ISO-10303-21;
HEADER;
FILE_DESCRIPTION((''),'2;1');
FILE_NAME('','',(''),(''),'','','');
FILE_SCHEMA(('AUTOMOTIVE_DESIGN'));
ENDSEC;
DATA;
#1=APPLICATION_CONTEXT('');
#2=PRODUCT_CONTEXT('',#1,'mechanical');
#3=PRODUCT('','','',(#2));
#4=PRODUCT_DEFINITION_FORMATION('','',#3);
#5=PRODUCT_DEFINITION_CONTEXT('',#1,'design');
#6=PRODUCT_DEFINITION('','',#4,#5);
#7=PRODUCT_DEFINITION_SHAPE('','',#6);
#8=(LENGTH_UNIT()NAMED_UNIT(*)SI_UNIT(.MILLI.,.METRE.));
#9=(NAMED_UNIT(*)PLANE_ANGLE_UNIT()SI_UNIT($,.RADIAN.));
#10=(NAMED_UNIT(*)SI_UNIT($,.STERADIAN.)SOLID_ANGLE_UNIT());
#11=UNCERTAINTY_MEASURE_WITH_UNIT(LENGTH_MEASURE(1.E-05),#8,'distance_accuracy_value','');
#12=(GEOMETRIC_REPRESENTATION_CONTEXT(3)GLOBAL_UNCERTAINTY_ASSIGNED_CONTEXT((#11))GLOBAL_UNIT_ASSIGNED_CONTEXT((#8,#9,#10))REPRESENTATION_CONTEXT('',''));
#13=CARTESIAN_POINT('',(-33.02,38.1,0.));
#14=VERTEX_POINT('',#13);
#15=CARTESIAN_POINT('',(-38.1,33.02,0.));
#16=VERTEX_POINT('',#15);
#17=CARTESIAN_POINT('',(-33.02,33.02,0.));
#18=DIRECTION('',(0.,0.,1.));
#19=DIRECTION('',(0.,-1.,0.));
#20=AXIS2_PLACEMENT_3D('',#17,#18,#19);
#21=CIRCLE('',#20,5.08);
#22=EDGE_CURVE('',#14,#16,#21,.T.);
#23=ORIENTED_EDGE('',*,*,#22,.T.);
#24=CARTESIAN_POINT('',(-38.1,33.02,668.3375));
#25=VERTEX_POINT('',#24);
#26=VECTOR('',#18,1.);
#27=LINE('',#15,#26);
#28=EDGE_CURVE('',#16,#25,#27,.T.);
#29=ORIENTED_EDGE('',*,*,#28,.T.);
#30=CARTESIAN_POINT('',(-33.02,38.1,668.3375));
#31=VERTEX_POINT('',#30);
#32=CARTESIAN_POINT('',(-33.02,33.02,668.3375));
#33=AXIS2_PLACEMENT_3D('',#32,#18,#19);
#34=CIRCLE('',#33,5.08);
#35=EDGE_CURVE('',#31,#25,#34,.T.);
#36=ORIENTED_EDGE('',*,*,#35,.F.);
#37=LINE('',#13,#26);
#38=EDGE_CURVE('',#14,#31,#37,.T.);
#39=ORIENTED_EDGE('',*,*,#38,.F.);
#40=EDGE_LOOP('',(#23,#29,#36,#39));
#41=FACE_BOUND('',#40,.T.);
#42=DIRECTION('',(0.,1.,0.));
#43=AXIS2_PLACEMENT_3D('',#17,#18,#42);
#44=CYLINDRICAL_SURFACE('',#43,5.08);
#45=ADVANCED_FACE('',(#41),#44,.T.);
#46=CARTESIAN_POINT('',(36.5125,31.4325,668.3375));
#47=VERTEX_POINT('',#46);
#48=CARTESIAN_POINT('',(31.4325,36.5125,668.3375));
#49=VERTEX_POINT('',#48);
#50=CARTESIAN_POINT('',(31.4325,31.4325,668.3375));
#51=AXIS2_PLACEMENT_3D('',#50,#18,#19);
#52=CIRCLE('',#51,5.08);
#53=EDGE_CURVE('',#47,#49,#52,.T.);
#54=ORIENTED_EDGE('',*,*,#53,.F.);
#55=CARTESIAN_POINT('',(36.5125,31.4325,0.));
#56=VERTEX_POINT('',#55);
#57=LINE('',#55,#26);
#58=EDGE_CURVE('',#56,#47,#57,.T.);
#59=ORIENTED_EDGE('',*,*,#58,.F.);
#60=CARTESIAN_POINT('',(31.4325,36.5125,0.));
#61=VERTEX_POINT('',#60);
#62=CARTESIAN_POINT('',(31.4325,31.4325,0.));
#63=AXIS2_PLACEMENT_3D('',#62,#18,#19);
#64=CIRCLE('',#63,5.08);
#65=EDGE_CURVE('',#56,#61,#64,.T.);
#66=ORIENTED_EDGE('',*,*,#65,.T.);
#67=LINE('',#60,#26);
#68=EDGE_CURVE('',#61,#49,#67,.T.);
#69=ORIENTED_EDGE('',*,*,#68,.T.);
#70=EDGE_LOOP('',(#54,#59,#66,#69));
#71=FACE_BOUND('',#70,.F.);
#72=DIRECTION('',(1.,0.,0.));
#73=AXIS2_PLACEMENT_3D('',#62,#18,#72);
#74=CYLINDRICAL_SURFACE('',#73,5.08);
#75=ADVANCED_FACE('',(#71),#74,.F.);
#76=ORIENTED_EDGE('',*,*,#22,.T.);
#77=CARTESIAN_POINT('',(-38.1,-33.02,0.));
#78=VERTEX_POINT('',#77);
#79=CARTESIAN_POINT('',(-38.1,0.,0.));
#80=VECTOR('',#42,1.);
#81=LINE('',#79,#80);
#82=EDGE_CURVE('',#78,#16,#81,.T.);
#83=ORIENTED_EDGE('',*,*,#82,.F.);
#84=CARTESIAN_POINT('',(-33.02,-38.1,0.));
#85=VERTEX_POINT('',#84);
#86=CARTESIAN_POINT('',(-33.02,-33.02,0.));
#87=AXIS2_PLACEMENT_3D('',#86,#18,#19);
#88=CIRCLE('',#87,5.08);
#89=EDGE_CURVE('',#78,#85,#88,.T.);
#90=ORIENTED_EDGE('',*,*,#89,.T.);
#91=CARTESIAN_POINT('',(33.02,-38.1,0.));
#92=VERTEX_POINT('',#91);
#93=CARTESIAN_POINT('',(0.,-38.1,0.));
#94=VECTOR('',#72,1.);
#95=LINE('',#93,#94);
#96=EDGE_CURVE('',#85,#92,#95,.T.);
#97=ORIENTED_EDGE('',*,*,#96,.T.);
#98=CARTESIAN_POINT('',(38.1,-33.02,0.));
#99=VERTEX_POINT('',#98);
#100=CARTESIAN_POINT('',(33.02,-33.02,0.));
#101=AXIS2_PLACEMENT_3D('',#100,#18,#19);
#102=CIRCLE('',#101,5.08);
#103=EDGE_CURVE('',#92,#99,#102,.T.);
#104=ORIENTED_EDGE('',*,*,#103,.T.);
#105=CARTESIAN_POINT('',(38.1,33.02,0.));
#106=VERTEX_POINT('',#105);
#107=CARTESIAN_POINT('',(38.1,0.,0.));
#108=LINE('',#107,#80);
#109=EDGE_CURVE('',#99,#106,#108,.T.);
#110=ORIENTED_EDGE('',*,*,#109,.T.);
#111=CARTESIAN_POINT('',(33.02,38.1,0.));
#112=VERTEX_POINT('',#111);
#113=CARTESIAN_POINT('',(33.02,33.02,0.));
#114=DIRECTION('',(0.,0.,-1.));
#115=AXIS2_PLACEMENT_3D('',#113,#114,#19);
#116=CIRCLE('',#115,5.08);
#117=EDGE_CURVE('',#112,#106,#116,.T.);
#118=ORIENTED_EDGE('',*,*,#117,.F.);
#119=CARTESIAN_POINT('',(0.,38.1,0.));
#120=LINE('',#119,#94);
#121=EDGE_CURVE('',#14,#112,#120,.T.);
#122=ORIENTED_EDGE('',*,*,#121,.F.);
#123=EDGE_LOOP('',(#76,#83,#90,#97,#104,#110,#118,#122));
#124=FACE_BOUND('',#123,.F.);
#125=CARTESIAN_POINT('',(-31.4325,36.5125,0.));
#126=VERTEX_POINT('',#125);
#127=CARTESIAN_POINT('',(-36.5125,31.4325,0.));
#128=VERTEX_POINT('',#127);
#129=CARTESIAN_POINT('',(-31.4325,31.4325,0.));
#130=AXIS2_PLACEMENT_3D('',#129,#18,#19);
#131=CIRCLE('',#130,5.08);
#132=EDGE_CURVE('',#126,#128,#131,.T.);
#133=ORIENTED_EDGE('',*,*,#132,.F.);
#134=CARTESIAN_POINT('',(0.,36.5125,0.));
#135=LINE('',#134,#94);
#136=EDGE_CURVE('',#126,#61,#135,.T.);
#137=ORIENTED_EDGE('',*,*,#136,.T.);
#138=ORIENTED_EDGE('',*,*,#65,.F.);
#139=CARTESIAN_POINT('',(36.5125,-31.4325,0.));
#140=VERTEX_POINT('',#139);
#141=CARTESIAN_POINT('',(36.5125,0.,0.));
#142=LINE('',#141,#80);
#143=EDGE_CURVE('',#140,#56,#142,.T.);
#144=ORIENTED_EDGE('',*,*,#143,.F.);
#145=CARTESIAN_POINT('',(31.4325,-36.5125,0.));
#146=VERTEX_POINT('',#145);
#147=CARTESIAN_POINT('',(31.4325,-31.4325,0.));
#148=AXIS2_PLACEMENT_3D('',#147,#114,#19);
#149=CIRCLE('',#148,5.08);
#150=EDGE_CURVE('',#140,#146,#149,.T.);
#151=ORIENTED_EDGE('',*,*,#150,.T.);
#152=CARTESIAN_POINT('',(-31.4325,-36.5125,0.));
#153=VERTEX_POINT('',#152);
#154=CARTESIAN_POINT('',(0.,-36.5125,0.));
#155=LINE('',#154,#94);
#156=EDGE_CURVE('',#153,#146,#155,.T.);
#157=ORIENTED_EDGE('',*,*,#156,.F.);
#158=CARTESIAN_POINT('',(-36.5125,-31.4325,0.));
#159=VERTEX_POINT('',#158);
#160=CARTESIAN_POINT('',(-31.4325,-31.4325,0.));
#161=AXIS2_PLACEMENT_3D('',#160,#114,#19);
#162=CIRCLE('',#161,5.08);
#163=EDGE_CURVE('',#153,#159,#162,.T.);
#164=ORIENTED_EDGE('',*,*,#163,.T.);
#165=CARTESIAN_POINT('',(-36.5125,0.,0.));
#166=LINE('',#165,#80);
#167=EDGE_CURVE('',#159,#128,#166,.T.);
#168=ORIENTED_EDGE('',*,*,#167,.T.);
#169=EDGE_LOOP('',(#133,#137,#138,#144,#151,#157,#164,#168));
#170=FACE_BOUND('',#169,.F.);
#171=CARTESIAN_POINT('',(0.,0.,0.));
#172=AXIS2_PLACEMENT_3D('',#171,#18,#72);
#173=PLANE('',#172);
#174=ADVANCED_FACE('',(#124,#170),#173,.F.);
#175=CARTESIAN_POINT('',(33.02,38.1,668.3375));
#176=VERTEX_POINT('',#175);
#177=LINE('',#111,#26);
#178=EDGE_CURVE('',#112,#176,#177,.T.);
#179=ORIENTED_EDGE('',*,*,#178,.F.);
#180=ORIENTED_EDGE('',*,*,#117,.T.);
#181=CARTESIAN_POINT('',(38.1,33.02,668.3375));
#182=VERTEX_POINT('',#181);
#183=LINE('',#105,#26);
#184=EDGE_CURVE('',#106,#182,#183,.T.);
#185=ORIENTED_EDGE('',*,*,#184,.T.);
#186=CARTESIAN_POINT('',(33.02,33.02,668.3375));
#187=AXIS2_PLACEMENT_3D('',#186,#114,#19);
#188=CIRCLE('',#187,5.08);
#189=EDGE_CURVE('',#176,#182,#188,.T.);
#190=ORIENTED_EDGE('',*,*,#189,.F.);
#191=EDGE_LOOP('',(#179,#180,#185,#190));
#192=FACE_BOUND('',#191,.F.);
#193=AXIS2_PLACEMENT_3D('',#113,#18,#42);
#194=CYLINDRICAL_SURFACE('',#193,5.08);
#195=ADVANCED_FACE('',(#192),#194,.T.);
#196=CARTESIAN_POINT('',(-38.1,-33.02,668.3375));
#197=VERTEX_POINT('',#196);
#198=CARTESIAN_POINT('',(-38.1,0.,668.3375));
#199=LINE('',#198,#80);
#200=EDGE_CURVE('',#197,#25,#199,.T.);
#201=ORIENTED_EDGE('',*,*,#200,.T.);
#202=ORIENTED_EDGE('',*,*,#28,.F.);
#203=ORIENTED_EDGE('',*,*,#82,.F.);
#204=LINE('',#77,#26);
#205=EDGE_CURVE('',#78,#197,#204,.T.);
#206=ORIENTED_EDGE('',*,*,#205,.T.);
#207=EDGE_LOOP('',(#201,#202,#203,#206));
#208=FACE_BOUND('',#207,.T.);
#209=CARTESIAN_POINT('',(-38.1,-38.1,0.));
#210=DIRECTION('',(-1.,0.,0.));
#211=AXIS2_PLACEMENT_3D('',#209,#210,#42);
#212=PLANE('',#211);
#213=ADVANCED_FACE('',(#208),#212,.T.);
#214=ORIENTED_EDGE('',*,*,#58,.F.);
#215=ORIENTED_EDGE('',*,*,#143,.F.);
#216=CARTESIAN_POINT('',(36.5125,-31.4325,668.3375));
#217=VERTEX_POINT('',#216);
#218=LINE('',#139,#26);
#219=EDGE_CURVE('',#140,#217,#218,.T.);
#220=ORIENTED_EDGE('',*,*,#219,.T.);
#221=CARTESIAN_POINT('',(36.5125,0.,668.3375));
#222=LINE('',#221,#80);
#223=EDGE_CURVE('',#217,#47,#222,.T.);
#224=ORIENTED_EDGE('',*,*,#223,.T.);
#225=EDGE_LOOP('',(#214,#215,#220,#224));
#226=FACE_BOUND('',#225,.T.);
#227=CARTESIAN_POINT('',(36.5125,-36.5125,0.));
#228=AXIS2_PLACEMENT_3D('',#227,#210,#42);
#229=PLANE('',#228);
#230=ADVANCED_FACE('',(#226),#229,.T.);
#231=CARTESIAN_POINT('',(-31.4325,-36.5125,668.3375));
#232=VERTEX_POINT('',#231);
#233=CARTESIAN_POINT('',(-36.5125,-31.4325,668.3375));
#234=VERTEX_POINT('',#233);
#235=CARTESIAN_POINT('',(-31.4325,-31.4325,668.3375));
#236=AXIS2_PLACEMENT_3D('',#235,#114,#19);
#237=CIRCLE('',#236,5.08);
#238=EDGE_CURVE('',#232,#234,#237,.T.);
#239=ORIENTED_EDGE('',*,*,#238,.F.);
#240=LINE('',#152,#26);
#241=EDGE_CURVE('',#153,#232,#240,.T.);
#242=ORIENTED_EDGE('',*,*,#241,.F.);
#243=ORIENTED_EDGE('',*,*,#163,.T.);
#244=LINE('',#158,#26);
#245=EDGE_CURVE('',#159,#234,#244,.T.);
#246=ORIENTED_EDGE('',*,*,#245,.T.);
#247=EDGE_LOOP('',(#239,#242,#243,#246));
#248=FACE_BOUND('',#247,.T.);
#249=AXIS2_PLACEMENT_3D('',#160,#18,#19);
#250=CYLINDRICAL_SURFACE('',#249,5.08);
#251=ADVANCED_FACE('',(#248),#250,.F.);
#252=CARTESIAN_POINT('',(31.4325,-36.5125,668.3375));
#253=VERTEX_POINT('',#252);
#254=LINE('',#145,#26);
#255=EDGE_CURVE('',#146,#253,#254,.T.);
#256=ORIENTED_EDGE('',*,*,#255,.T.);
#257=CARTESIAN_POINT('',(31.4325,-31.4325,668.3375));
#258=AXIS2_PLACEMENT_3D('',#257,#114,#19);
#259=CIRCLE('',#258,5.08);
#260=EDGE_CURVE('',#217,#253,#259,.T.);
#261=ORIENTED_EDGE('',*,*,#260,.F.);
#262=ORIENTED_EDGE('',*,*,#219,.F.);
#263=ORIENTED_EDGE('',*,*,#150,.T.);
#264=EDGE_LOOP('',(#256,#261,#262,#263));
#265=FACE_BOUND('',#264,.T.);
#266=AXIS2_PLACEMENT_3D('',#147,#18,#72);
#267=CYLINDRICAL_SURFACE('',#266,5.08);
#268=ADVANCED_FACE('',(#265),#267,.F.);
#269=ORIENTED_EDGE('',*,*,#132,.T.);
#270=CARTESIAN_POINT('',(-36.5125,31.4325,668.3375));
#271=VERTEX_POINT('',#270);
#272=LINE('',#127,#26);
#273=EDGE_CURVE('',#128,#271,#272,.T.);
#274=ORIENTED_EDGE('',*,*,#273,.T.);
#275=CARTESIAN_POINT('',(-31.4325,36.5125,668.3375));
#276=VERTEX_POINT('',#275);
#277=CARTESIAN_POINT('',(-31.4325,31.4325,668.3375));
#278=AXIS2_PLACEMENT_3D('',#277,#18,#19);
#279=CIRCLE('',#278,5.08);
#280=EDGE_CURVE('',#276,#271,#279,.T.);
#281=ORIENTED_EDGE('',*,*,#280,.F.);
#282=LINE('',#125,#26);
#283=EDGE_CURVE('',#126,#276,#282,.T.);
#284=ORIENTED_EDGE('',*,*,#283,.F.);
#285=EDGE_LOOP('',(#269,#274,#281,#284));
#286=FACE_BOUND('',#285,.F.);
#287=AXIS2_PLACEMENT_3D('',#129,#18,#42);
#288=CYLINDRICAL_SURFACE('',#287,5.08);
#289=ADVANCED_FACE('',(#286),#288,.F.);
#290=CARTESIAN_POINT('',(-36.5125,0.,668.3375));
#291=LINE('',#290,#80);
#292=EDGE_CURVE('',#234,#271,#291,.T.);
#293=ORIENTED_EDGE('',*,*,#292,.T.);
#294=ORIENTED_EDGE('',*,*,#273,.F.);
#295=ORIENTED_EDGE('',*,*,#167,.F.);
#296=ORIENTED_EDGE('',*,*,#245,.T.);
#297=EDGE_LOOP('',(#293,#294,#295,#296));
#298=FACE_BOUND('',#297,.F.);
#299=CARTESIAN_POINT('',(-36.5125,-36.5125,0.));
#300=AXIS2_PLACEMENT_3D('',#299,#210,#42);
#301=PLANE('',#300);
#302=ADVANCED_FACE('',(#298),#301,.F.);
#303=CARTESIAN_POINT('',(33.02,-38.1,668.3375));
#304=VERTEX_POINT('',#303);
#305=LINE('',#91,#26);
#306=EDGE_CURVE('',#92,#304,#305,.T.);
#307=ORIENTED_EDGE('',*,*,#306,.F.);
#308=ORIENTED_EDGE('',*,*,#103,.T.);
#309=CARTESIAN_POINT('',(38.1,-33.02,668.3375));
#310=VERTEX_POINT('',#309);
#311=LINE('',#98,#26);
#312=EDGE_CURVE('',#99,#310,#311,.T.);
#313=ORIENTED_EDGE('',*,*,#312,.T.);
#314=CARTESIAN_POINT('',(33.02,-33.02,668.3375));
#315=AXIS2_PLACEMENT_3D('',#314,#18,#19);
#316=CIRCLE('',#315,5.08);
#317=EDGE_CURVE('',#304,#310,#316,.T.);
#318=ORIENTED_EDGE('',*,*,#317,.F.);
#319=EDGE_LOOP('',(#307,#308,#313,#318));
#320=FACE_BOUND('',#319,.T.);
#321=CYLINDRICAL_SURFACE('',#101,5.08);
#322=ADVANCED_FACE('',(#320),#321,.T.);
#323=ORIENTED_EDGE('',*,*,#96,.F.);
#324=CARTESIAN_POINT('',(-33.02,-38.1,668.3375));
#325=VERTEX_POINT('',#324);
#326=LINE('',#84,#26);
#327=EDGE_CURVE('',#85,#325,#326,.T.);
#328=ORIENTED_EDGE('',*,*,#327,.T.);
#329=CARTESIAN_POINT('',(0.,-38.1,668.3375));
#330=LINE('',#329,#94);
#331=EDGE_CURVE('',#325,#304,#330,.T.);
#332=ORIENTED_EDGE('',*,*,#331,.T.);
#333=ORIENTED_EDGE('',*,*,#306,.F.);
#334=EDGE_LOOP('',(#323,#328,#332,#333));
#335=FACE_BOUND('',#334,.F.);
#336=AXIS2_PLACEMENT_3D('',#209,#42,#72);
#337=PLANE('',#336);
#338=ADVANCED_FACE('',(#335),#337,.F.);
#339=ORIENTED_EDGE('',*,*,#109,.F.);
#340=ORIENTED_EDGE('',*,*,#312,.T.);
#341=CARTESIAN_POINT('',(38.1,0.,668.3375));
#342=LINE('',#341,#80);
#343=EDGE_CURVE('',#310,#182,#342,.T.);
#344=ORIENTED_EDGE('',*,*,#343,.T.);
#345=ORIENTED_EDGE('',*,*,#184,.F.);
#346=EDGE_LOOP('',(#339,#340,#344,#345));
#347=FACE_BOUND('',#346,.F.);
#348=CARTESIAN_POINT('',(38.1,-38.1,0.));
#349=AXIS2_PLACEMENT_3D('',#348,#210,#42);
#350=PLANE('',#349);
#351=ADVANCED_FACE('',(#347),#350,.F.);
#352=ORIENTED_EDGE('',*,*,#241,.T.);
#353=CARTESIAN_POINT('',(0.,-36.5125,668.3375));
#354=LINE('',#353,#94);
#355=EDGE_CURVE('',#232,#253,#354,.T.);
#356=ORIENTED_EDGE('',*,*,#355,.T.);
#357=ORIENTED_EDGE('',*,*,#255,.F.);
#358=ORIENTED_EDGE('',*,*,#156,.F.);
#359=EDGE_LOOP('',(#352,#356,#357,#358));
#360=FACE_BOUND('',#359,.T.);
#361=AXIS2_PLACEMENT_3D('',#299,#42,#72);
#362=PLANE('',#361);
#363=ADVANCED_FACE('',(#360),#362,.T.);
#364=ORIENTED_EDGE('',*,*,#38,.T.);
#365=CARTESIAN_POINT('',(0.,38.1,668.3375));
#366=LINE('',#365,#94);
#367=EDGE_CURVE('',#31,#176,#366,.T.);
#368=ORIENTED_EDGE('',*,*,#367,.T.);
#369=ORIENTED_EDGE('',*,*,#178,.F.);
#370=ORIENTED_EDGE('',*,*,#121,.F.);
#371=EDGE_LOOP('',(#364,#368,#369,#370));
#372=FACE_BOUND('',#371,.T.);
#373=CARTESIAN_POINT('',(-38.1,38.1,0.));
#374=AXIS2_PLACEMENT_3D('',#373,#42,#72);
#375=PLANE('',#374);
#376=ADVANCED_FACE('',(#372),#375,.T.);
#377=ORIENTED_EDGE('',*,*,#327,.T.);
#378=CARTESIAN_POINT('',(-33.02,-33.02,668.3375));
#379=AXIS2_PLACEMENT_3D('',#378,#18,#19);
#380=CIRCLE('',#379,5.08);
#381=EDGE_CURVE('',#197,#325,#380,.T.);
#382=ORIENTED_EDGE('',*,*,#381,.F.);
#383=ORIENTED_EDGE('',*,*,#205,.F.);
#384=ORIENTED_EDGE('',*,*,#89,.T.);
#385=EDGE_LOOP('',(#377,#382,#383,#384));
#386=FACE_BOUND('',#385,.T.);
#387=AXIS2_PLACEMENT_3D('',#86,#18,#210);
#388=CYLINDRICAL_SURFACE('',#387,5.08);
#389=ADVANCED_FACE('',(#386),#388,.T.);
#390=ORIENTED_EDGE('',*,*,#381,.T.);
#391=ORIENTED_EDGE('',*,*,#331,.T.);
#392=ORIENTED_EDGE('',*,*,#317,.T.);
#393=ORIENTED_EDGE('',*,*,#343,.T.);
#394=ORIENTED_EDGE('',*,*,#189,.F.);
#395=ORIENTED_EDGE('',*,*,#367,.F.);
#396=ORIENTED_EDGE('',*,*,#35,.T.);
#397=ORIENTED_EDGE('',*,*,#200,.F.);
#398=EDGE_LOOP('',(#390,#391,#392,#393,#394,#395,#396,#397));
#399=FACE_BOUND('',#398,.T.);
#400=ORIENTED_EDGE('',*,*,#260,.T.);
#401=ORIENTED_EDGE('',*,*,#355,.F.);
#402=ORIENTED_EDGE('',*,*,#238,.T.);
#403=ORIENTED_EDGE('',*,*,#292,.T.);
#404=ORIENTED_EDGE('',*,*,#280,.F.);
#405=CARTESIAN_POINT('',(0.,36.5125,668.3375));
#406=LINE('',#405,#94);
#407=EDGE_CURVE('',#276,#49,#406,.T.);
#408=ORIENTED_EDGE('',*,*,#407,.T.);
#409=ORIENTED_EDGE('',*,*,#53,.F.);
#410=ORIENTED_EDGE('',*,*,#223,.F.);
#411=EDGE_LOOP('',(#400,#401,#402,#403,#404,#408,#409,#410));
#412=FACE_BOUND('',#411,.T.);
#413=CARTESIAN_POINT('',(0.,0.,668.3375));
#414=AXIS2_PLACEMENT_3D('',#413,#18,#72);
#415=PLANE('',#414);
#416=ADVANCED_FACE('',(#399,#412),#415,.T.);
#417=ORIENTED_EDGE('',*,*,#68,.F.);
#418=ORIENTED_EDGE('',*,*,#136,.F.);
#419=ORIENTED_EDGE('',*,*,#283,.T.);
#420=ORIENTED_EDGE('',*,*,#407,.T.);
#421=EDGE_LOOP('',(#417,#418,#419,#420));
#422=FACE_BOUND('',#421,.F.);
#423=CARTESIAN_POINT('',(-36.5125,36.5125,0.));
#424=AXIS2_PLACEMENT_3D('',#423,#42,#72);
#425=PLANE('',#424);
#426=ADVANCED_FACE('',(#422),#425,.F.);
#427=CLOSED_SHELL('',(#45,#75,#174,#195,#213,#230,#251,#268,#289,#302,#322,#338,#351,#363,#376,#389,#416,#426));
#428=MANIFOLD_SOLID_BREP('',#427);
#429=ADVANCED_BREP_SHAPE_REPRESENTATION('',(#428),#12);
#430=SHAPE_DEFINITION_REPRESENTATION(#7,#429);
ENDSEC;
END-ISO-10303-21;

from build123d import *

# Parameters (mm, degrees)
F0_W     = 76.2
F0_H     = 76.2
F0_W_2   = 73.025
F0_H_2   = 73.025
F1_DEPTH = 668.3375
F2_R     = 5.08
F3_R     = 5.08
F4_R     = 5.08
F5_R     = 5.08
F6_R     = 5.08
F7_R     = 5.08


with BuildPart() as f1:
    # F0 (on Top) → F1 (new body)
    with BuildSketch(Plane.XY):
        Rectangle(F0_W, F0_H)
        Rectangle(F0_W_2, F0_H_2, mode=Mode.SUBTRACT)
    extrude(amount=F1_DEPTH)

    # F2
    f2_edges = [f1.edges().sort_by_distance(p)[0] for p in [
        (-38.1, -38.1, 334.16875),
    ]]
    fillet(f2_edges, radius=F2_R)

    # F3
    f3_edges = [f1.edges().sort_by_distance(p)[0] for p in [
        (38.1, -38.1, 334.16875),
        (38.1, 38.1, 334.16875),
    ]]
    fillet(f3_edges, radius=F3_R)

    # F4
    f4_edges = [f1.edges().sort_by_distance(p)[0] for p in [
        (-36.5125, 36.5125, 334.16875),
    ]]
    fillet(f4_edges, radius=F4_R)

    # F5
    f5_edges = [f1.edges().sort_by_distance(p)[0] for p in [
        (-38.1, 38.1, 334.16875),
        (36.5125, -36.5125, 334.16875),
    ]]
    fillet(f5_edges, radius=F5_R)

    # F6
    f6_edges = [f1.edges().sort_by_distance(p)[0] for p in [
        (-36.5125, -36.5125, 334.16875),
    ]]
    fillet(f6_edges, radius=F6_R)

    # F7
    f7_edges = [f1.edges().sort_by_distance(p)[0] for p in [
        (36.5125, 36.5125, 334.16875),
    ]]
    fillet(f7_edges, radius=F7_R)


solid = f1.part
